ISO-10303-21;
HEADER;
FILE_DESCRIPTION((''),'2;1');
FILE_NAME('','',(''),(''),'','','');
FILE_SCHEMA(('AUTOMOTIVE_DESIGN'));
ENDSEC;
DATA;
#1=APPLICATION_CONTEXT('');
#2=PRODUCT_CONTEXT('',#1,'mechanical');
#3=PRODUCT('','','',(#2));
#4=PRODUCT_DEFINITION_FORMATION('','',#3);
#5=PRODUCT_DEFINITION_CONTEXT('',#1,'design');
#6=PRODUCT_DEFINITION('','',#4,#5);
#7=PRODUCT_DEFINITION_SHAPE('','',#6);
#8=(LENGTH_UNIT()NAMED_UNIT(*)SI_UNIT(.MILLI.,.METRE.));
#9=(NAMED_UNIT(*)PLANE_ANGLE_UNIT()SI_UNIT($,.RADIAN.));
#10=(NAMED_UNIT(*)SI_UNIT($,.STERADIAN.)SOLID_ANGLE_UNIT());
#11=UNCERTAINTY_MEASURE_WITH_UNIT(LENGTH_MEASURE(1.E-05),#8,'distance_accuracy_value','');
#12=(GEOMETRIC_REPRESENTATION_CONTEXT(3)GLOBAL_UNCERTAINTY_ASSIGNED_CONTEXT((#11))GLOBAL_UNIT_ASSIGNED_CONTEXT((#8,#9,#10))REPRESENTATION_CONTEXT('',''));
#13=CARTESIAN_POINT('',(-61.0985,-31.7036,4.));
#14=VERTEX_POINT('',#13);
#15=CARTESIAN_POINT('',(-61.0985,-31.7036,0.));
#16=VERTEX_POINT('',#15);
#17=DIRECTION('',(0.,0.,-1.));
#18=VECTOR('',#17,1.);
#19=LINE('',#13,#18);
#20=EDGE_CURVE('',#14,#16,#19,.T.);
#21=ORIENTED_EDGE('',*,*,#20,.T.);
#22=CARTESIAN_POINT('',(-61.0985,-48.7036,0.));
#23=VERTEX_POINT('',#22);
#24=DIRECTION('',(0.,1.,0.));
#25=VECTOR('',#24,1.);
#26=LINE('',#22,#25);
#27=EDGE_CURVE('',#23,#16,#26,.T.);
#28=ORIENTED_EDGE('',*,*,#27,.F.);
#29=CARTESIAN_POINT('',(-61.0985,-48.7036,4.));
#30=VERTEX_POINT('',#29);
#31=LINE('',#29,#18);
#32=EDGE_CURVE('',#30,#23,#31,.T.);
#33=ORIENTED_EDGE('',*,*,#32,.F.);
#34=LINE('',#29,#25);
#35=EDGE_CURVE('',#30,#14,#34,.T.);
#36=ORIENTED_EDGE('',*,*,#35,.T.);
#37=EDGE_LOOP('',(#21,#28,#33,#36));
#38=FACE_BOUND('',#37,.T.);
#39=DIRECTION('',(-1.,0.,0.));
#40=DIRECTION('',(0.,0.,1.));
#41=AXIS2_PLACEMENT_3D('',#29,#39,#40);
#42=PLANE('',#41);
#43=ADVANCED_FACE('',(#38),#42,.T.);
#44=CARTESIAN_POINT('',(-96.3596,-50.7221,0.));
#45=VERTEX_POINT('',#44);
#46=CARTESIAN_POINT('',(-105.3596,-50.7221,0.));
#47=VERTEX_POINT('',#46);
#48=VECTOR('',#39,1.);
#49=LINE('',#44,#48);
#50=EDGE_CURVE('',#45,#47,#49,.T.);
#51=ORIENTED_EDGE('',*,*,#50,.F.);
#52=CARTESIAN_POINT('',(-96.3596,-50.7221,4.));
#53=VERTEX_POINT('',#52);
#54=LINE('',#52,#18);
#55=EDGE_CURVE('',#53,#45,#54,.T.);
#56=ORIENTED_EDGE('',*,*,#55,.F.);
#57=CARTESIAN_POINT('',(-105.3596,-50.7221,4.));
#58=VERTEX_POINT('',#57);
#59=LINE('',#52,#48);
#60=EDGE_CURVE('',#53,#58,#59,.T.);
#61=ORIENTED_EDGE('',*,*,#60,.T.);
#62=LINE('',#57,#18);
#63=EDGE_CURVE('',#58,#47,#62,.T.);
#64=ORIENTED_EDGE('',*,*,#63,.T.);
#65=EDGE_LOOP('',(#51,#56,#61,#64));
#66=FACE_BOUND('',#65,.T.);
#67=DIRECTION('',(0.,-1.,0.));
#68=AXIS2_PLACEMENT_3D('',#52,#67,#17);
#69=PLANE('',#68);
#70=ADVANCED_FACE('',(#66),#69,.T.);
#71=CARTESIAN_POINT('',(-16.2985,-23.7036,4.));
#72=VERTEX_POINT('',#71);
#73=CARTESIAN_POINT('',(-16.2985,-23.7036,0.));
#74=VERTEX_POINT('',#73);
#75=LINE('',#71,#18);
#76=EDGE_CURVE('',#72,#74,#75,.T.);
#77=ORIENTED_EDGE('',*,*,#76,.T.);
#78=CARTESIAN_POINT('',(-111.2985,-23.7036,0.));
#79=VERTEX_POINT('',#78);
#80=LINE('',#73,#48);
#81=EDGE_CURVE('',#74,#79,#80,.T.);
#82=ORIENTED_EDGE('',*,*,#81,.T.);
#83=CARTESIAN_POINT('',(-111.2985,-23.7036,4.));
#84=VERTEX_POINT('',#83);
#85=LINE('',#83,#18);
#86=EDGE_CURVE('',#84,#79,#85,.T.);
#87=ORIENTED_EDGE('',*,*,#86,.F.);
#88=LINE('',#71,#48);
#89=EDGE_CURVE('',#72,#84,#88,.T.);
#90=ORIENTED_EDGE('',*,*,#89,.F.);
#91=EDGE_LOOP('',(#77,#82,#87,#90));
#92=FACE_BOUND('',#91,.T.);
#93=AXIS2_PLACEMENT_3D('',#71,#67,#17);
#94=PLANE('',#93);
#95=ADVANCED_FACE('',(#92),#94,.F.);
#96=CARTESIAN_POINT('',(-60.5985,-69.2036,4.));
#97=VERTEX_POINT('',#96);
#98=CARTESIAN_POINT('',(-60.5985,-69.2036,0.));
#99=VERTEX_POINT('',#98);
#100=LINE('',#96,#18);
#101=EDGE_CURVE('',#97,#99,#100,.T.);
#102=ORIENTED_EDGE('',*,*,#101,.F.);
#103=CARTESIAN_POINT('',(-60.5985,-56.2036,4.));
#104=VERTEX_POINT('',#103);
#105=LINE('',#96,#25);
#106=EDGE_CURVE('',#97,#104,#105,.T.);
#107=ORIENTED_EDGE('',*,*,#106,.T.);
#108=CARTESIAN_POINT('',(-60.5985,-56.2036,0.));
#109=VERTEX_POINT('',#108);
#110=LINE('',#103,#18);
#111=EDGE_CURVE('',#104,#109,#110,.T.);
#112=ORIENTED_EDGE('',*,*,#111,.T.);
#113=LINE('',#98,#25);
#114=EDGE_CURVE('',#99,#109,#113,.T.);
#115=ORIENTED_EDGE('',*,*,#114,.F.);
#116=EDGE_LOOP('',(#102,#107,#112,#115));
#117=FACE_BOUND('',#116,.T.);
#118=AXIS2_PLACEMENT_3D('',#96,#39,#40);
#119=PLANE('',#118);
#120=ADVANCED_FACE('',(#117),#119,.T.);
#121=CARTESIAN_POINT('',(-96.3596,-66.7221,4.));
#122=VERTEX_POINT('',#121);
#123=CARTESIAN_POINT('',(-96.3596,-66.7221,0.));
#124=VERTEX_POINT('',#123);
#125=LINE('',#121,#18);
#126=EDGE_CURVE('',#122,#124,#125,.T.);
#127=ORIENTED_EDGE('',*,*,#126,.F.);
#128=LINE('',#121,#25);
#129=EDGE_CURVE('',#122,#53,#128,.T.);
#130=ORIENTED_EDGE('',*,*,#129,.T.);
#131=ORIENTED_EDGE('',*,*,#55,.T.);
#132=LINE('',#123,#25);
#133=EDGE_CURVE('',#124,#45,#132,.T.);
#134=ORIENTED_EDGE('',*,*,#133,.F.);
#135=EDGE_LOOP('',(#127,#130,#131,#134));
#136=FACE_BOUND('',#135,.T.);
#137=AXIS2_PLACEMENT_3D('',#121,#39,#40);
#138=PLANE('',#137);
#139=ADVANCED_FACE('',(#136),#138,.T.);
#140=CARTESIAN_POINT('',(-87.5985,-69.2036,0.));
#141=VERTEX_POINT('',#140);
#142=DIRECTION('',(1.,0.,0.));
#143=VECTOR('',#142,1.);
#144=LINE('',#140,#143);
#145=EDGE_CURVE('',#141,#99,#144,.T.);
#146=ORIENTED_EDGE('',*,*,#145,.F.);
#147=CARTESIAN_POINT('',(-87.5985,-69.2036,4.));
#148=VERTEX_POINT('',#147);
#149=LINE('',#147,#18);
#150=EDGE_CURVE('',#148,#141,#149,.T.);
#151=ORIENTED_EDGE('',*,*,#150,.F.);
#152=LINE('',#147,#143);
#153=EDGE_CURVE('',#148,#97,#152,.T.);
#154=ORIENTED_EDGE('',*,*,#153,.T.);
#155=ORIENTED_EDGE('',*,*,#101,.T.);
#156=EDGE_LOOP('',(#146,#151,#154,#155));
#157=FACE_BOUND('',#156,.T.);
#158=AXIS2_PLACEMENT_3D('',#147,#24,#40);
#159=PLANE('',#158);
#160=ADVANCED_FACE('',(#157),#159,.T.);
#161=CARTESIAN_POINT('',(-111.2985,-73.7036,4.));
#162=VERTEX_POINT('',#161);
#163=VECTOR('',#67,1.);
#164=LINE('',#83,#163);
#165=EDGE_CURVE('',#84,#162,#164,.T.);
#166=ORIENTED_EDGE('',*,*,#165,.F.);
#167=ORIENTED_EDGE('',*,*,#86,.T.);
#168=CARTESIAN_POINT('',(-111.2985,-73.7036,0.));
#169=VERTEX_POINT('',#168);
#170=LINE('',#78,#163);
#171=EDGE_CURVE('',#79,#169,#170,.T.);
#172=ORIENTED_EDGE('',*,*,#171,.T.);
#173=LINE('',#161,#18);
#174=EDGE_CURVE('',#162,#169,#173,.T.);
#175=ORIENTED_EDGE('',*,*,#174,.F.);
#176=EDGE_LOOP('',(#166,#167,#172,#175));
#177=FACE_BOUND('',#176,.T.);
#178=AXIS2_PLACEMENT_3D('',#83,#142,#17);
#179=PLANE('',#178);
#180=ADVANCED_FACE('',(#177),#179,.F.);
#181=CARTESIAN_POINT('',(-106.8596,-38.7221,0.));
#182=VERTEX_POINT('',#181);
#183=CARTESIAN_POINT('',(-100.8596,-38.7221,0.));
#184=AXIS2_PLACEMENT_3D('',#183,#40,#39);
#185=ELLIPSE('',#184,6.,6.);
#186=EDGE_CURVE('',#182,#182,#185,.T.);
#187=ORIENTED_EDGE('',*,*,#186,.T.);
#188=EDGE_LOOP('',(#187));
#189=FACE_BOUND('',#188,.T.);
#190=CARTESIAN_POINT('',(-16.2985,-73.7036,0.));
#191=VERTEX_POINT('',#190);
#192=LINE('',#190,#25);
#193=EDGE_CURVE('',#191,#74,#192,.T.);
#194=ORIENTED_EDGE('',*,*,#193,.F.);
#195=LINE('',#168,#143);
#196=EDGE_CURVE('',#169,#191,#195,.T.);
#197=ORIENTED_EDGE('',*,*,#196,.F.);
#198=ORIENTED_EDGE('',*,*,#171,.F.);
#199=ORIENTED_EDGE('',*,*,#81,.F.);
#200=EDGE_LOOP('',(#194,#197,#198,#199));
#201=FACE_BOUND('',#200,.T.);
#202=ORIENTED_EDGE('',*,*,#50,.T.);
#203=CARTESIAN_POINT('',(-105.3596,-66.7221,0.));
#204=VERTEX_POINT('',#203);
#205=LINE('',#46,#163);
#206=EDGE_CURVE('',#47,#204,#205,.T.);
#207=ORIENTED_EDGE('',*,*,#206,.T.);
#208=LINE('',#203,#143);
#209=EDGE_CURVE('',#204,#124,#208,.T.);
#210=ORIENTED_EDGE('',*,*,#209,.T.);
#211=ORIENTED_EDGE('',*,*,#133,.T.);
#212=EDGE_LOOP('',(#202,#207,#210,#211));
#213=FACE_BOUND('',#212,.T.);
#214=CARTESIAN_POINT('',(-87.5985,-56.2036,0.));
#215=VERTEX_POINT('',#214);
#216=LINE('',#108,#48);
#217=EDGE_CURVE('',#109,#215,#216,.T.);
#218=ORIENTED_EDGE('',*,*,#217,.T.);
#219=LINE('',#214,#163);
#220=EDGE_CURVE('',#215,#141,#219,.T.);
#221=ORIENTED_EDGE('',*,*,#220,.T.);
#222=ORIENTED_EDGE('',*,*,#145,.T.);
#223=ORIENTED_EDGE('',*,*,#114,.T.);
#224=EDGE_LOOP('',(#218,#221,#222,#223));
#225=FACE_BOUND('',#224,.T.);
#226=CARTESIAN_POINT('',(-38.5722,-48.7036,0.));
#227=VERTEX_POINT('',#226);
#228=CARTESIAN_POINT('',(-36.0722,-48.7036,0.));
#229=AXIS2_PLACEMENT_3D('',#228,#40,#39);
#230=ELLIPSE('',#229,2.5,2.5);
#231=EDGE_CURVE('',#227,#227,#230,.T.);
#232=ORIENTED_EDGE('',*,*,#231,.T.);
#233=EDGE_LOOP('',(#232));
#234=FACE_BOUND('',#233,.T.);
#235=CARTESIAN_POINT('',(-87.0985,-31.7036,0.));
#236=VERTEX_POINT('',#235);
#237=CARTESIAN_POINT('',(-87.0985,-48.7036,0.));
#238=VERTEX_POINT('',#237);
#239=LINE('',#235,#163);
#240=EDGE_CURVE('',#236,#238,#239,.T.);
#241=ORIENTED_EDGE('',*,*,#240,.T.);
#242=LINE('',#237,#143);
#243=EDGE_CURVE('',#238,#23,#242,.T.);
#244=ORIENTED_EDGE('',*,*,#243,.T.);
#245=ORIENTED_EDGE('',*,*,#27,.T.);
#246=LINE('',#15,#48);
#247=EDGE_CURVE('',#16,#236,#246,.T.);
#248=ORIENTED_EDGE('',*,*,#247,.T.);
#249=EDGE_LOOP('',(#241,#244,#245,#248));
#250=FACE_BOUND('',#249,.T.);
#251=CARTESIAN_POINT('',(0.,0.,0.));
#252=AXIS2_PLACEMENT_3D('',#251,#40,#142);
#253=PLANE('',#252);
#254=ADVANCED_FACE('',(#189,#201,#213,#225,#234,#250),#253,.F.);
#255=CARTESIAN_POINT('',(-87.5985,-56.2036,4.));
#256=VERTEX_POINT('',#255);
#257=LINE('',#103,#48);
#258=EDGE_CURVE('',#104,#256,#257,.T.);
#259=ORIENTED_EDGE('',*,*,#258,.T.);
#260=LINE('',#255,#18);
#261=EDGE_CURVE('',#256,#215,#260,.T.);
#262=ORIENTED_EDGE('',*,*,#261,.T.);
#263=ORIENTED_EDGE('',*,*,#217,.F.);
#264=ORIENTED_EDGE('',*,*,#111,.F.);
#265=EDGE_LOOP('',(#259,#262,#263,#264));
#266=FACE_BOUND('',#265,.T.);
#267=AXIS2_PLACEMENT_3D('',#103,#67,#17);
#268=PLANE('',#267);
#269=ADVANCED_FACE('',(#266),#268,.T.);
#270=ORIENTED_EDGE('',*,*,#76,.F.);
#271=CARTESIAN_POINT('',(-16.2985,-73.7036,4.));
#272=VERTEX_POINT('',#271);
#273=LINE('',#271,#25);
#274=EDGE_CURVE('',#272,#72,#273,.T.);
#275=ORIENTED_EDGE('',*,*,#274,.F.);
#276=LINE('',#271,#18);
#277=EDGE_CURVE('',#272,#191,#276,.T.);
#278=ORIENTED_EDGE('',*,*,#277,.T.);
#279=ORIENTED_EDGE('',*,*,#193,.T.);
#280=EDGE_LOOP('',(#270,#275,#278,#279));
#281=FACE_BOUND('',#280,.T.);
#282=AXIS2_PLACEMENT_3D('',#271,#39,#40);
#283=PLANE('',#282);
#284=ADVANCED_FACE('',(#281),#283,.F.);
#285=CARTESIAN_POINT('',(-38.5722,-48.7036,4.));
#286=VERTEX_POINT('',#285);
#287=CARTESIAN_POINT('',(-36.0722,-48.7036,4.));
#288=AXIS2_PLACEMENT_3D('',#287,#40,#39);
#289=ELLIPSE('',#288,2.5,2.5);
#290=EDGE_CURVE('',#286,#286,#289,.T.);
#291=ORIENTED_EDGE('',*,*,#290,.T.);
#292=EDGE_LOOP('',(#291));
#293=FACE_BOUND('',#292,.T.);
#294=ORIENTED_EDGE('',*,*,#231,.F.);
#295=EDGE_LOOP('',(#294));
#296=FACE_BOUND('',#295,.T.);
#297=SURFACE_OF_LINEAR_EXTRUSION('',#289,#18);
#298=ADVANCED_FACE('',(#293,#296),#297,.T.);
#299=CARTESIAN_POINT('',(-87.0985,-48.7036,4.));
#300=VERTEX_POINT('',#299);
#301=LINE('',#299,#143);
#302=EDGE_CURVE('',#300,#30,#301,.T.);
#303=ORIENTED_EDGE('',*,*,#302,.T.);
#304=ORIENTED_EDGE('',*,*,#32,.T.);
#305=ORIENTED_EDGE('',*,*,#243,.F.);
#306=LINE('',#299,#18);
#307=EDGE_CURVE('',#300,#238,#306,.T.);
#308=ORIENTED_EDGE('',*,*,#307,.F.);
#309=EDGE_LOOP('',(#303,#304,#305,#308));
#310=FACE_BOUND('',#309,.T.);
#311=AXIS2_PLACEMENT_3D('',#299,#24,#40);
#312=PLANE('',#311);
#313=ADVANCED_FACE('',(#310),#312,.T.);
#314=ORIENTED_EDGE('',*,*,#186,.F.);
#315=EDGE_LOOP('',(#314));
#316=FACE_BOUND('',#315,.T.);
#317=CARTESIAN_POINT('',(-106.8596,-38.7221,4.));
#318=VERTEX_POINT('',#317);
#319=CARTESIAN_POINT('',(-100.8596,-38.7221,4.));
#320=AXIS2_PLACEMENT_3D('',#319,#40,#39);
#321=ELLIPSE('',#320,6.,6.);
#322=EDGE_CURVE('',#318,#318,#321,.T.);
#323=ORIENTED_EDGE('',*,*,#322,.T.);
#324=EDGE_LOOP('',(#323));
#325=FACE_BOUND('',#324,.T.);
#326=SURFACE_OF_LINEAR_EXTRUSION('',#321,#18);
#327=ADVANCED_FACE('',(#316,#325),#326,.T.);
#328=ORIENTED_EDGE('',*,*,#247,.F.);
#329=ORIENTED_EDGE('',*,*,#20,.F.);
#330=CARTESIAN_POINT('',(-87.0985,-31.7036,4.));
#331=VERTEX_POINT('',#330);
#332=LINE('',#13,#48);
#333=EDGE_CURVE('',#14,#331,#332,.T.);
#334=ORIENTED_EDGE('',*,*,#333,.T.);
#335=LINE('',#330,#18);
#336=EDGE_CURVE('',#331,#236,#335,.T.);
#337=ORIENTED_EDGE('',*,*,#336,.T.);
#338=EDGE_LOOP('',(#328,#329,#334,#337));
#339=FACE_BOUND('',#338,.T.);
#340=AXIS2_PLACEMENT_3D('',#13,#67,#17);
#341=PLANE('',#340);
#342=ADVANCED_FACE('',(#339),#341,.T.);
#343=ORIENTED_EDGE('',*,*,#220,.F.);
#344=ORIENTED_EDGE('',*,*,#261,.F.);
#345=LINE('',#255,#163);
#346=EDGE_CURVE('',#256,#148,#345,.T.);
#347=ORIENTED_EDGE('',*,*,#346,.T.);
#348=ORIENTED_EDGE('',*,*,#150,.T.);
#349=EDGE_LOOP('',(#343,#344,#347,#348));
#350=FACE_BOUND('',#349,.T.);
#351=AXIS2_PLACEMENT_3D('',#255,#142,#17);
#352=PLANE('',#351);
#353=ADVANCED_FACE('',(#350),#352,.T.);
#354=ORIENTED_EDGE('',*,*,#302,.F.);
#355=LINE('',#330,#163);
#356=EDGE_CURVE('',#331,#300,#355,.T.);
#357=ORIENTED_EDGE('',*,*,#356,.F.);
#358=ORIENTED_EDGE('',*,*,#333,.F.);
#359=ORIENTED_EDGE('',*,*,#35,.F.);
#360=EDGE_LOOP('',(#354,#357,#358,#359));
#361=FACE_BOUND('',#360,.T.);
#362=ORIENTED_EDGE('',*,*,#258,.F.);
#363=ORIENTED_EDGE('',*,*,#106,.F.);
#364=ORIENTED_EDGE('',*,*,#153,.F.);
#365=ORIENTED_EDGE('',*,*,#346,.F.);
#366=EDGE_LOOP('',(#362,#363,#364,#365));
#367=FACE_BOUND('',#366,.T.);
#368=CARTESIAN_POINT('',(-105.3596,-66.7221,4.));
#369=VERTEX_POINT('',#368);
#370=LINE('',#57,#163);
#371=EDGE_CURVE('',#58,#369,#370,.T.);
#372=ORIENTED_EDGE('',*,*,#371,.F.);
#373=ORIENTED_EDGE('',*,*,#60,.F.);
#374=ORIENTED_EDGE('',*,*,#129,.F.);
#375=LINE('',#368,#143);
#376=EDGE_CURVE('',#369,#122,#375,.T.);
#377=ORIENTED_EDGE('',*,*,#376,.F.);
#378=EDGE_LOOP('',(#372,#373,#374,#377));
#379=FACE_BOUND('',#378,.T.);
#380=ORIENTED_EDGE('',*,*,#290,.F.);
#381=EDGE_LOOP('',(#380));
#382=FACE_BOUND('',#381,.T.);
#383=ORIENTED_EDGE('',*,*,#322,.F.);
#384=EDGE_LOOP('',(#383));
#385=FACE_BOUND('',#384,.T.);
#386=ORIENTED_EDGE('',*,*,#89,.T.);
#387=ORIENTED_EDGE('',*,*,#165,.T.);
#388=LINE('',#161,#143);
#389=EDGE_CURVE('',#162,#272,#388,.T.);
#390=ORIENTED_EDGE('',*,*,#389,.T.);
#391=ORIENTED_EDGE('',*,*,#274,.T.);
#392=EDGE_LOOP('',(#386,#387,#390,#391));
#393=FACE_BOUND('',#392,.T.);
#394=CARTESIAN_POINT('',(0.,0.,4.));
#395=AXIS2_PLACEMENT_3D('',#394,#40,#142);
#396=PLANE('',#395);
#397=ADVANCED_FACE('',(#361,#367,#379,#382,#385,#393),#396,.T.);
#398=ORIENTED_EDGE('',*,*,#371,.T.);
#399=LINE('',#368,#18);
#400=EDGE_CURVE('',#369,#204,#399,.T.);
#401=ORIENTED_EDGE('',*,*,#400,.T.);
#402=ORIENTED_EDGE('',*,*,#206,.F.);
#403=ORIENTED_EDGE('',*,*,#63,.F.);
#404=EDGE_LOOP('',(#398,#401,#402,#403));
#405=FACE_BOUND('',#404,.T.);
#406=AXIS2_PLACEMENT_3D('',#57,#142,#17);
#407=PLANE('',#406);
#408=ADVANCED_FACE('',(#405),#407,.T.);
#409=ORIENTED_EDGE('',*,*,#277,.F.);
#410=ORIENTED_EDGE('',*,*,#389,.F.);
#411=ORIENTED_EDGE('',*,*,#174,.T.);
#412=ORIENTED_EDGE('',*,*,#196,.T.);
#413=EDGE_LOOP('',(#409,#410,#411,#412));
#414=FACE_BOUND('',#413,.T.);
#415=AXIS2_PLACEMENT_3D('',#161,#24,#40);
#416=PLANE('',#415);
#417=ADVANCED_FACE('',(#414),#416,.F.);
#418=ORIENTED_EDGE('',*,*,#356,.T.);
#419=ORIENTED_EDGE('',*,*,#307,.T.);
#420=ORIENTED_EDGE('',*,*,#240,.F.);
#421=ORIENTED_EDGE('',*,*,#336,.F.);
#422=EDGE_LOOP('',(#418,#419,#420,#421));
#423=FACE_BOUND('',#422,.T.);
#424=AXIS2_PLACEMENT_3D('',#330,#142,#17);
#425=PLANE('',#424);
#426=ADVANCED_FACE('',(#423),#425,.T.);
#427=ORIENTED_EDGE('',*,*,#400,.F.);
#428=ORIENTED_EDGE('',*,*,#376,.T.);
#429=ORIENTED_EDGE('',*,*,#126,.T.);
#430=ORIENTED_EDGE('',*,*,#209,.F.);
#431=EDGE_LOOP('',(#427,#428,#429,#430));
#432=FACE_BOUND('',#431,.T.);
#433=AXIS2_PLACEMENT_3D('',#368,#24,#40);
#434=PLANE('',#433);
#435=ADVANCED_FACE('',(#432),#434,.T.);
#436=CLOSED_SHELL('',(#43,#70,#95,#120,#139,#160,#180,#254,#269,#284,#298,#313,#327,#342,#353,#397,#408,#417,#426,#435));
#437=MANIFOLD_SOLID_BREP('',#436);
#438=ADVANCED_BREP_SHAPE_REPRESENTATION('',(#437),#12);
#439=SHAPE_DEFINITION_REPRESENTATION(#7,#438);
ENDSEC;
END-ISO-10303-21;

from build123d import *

# Parameters (mm, degrees)
SKETCH3_W           = 95
SKETCH3_H           = 50
SKETCH3_RX          = 2.5
SKETCH3_RY          = 2.5
SKETCH3_RX_2        = 6
SKETCH3_RY_2        = 6
SKETCH3_W_2         = 26
SKETCH3_H_2         = 17
SKETCH3_W_3         = 27
SKETCH3_H_3         = 13
SKETCH3_W_4         = 9
SKETCH3_H_4         = 16
BOSS_EXTRUDE2_DEPTH = 4


with BuildPart() as part:
    # Sketch3 → Boss-Extrude2 (new body)
    with BuildSketch(Plane.XY):
        with Locations((-63.7985, -48.7036)):
            Rectangle(SKETCH3_W, SKETCH3_H)
        with Locations(Location((-36.0722, -48.7036), (0, 0, 90))):
            Ellipse(SKETCH3_RX, SKETCH3_RY, mode=Mode.SUBTRACT)
        with Locations(Location((-100.8596, -38.7221), (0, 0, 180))):
            Ellipse(SKETCH3_RX_2, SKETCH3_RY_2, mode=Mode.SUBTRACT)
        with Locations((-74.0985, -40.2036)):
            Rectangle(SKETCH3_W_2, SKETCH3_H_2, mode=Mode.SUBTRACT)
        with Locations((-74.0985, -62.7036)):
            Rectangle(SKETCH3_W_3, SKETCH3_H_3, mode=Mode.SUBTRACT)
        with Locations((-100.8596, -58.7221)):
            Rectangle(SKETCH3_W_4, SKETCH3_H_4, mode=Mode.SUBTRACT)
    extrude(amount=BOSS_EXTRUDE2_DEPTH)


solid = part.part
